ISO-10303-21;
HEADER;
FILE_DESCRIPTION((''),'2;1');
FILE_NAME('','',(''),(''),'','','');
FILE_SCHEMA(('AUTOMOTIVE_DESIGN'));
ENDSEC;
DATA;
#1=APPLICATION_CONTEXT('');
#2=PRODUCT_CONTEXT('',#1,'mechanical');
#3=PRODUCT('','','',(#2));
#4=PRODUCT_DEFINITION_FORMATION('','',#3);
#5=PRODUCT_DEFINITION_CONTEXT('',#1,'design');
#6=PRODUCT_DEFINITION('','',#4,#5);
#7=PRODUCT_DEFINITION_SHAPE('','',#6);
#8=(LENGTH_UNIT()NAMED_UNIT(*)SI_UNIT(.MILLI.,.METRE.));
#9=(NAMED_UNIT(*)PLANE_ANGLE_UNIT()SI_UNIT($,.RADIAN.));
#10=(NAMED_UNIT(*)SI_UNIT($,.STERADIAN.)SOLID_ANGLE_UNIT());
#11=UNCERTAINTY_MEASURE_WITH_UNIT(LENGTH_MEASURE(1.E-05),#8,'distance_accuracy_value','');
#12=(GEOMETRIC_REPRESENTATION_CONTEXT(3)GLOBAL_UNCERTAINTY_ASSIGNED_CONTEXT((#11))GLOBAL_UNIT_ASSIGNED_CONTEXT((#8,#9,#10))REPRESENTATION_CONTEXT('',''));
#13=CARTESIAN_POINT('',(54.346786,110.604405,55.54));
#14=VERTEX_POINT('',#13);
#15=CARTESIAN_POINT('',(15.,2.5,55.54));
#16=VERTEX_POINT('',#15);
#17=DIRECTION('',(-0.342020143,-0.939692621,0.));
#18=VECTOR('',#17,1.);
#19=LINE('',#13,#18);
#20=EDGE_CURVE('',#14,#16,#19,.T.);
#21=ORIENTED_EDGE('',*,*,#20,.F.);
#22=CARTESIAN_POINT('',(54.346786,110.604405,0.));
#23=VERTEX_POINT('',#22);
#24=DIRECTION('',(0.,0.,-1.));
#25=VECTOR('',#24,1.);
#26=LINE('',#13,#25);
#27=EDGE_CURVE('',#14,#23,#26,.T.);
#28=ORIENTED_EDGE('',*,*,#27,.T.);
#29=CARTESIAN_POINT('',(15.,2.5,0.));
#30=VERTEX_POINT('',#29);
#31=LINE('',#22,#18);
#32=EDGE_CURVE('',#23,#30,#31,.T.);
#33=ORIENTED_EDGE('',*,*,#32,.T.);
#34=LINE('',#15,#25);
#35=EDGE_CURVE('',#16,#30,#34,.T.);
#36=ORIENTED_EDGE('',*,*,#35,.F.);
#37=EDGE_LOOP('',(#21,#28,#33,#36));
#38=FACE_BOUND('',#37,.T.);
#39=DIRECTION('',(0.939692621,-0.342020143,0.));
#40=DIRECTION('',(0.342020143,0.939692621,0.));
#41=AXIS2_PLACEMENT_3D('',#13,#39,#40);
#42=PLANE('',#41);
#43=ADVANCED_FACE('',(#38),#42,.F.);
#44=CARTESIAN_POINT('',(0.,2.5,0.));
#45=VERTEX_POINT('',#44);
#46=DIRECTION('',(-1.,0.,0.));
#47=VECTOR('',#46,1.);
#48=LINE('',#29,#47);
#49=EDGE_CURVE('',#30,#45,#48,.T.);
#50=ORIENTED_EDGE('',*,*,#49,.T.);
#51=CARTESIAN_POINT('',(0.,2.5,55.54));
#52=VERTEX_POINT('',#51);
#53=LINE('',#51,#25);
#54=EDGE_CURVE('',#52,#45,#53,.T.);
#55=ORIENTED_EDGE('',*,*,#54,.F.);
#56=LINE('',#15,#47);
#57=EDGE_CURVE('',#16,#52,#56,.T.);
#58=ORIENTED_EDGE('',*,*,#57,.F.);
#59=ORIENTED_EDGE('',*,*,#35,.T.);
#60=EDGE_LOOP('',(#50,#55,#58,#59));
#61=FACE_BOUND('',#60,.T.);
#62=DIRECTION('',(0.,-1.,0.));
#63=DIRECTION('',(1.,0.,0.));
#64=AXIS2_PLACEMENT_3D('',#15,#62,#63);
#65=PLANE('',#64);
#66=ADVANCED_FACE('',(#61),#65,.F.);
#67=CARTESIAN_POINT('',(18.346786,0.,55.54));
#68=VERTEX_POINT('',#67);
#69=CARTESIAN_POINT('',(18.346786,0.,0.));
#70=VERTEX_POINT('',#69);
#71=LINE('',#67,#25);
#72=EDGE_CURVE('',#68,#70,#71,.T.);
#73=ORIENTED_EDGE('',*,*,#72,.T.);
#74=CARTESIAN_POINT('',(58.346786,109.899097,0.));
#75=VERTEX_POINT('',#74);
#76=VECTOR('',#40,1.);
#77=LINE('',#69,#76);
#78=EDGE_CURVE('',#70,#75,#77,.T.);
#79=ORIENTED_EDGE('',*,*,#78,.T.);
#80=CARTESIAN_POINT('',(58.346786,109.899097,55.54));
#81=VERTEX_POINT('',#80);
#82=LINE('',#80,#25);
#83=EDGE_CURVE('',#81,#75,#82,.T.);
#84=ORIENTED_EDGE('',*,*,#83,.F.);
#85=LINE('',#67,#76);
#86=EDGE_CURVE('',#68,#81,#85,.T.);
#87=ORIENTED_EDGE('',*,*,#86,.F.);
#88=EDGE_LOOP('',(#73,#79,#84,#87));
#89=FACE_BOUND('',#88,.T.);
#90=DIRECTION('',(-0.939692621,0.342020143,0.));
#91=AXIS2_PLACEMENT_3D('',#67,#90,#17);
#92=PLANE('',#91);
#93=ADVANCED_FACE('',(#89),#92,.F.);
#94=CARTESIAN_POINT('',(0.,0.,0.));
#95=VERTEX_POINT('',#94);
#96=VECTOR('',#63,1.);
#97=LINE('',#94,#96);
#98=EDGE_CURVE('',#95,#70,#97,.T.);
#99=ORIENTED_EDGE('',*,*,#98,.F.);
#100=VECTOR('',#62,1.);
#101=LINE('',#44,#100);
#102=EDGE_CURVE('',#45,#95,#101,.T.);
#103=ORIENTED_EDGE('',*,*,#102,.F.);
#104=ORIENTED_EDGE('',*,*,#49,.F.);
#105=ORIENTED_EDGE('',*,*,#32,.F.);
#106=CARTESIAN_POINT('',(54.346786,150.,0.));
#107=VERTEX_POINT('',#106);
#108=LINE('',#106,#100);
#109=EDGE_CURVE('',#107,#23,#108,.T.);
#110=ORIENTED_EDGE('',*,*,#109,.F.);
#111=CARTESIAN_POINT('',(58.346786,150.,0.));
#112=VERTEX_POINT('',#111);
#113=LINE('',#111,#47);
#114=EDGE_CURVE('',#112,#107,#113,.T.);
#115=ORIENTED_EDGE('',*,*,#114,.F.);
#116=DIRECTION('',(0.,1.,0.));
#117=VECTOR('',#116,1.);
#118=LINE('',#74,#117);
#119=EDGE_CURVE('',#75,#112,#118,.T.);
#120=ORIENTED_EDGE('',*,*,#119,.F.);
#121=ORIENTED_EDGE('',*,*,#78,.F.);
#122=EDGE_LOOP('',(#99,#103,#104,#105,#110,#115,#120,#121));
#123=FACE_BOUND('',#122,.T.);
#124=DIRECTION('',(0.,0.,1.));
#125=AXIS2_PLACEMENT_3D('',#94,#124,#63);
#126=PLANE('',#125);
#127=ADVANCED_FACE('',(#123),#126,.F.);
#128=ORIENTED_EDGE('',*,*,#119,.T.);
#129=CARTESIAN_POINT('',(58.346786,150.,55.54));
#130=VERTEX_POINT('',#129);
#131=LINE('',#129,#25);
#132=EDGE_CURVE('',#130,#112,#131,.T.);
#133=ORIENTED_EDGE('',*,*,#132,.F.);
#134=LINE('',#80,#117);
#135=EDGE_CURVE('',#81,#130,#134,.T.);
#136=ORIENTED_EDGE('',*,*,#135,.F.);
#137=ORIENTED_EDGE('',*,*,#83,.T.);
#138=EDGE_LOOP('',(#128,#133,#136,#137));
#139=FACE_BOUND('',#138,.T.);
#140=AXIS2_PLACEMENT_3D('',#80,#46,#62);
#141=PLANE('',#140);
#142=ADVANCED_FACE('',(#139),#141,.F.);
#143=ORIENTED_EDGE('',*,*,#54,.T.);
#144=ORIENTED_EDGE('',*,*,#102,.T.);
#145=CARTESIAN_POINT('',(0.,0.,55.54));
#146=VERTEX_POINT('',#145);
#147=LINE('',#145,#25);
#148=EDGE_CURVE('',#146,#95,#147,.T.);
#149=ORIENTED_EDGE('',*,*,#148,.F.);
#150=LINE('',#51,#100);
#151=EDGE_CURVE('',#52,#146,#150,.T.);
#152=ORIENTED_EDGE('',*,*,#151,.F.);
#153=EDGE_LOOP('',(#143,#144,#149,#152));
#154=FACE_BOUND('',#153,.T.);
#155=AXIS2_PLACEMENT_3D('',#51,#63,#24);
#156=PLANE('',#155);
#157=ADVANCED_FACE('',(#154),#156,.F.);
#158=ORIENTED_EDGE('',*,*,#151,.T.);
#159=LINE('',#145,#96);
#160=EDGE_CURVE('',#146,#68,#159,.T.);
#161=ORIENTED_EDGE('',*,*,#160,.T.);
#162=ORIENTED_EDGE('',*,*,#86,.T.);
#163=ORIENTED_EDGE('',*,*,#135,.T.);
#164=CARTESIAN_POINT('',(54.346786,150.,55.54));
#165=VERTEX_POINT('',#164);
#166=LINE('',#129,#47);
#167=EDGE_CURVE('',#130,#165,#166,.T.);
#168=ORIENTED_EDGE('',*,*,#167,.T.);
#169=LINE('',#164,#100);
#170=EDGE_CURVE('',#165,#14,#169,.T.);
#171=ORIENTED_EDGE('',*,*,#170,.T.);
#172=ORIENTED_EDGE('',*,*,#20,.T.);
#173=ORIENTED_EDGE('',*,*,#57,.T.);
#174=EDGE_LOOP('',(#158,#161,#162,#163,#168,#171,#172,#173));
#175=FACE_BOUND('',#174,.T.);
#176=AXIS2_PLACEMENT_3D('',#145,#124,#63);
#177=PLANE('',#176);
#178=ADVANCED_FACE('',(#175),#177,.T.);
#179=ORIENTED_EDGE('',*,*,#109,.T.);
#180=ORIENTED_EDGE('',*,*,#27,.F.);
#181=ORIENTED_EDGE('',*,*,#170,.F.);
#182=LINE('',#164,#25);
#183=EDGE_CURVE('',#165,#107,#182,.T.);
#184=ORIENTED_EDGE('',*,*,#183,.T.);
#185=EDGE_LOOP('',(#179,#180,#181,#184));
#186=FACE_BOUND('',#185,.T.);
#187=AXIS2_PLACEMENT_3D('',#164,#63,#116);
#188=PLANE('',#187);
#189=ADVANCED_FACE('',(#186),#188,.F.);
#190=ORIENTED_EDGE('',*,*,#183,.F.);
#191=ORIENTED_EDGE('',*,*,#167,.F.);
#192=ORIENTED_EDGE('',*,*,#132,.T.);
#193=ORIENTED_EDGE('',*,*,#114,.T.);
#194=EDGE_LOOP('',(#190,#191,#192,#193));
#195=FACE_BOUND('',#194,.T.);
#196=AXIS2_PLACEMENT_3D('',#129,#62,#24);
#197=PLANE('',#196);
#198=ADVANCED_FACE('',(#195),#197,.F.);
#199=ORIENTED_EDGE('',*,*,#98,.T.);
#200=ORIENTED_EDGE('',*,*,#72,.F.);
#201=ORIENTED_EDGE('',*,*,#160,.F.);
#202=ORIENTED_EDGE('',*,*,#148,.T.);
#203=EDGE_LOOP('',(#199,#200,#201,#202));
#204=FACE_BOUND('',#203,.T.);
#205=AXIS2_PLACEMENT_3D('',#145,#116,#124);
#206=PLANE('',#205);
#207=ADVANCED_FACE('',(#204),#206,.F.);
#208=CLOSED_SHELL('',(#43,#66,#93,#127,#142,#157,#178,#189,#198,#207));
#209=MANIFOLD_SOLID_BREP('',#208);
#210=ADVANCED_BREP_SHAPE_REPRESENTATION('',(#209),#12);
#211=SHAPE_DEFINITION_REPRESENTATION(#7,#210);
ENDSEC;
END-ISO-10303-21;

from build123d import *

# Parameters (mm, degrees)
SALIENTE_EXTRUIR1_DEPTH = 55.54


with BuildPart() as part:
    # Croquis1 → Saliente-Extruir1 (new body)
    with BuildSketch(Plane.XY):
        Polygon((0, 0), (18.346785504, 0), (58.346785504, 109.899096778), (58.346785504, 150), (54.346785504, 150), (54.346785504, 110.604404701), (15, 2.5), (0, 2.5), align=None)
    extrude(amount=SALIENTE_EXTRUIR1_DEPTH)


solid = part.part
